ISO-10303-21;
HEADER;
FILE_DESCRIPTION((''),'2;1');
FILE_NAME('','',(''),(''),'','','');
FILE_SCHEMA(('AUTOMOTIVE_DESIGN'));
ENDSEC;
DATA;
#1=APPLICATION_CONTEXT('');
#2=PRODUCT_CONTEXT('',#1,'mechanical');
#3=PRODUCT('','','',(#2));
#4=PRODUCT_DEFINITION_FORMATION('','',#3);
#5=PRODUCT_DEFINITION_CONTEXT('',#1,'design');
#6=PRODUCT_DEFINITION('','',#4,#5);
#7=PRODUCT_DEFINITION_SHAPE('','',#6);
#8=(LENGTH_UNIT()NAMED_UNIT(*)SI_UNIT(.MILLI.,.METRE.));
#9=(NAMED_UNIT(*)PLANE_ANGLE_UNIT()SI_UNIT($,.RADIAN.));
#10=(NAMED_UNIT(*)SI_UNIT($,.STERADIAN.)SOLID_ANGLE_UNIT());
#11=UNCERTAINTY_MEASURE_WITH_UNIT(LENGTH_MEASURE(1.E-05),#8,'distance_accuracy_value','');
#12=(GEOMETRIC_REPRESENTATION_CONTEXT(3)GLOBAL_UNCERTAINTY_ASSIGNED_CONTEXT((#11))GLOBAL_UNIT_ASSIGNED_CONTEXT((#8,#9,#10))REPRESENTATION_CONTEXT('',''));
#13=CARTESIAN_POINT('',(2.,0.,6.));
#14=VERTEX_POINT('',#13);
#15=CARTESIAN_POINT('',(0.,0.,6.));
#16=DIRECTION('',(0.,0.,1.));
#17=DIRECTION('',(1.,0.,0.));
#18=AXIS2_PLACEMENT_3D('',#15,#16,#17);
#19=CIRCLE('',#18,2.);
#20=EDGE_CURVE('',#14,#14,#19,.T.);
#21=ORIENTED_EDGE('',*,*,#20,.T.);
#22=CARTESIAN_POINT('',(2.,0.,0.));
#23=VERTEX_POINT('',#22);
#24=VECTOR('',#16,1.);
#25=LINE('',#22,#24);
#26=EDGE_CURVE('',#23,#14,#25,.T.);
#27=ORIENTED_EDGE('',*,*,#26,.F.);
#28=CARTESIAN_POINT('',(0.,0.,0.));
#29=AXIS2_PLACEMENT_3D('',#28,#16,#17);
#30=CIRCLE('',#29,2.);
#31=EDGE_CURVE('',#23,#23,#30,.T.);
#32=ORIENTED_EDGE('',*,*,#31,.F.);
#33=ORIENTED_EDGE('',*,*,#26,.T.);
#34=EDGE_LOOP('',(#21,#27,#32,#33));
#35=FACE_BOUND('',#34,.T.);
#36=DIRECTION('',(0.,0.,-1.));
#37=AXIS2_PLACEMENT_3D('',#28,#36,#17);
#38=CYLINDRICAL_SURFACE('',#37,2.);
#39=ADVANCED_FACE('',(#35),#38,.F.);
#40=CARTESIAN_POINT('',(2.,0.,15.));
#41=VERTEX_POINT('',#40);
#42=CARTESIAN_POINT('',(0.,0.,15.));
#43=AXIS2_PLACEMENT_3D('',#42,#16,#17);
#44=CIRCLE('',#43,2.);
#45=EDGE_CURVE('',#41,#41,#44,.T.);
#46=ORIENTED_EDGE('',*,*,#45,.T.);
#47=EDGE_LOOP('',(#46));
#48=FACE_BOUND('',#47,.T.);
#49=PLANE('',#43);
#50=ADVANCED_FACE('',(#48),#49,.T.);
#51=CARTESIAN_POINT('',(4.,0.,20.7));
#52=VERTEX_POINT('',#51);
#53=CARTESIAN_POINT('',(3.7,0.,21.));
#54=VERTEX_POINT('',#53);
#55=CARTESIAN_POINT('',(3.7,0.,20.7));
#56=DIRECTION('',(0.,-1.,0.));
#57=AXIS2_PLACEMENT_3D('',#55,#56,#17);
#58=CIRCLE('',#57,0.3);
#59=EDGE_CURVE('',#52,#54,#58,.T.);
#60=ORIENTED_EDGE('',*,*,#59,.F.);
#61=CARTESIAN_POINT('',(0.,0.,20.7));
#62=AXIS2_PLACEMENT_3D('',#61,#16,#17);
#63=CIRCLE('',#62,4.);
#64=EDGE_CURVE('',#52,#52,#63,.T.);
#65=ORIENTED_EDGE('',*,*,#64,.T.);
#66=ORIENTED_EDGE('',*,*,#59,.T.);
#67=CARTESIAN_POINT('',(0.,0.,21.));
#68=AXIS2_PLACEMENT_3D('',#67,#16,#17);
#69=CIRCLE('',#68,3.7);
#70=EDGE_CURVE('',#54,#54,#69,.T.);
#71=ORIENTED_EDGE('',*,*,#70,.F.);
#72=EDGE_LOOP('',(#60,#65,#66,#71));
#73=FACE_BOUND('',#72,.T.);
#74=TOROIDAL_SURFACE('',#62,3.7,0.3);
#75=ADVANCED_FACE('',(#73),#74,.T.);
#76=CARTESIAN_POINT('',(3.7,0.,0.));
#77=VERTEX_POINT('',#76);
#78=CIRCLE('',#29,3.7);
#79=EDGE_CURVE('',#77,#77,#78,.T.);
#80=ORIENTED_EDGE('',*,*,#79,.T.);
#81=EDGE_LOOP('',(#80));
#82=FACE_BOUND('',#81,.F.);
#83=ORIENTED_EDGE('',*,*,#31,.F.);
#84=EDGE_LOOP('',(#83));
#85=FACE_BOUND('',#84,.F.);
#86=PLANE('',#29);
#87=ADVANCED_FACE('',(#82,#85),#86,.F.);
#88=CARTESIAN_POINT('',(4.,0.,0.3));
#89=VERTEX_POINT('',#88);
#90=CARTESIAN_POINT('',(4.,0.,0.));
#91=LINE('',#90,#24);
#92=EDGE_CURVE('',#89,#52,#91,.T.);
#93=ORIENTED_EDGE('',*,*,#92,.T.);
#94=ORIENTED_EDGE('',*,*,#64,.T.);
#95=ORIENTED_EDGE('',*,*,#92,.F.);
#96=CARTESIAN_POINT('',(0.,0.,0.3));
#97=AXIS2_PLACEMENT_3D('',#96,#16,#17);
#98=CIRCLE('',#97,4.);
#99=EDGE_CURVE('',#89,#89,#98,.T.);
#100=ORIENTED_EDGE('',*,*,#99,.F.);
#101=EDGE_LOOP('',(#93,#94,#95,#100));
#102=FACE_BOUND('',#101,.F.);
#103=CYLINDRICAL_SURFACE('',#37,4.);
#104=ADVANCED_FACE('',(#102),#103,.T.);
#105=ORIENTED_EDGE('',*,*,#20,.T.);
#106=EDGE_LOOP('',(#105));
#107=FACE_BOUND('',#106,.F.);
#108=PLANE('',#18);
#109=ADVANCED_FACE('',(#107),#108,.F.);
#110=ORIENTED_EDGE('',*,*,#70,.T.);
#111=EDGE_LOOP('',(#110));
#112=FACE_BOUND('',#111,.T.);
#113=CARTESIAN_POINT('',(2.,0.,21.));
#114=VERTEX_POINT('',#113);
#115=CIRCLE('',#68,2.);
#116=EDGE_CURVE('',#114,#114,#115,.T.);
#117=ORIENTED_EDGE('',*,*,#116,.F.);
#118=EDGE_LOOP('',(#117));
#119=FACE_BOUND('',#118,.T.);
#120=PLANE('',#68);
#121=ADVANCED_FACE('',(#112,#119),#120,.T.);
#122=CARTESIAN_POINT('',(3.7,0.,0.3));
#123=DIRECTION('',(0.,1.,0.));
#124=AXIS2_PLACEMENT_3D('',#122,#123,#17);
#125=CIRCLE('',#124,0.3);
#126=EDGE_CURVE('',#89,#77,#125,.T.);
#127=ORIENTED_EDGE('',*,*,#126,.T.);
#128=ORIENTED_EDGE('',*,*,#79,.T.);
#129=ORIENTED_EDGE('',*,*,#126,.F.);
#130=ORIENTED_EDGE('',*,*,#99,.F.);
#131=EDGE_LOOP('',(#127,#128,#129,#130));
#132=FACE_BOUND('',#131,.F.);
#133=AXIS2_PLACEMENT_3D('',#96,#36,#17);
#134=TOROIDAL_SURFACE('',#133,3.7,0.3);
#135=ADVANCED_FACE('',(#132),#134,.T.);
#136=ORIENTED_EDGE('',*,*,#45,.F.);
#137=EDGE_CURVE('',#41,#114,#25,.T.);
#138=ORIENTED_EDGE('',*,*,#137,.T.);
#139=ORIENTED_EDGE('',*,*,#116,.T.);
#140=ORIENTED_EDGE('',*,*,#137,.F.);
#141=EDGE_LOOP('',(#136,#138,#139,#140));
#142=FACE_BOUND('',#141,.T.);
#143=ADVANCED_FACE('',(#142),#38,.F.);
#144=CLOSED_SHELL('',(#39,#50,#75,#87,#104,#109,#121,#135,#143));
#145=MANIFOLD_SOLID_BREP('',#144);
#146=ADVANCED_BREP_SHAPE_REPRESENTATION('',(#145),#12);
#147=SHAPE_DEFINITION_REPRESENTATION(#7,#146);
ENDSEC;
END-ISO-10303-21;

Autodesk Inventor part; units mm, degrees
ref_plane "YZ Plane" through (0, 0, 0) normal (1, 0, 0) x (0, 1, 0)
ref_plane "XZ Plane" through (0, 0, 0) normal (0, 1, 0) x (-1, 0, 0)
ref_plane "XY Plane" through (0, 0, 0) normal (0, 0, 1) x (1, 0, 0)
sketch "スケッチ1" plane through (0, 0, 0) normal (0, 0, 1) x (1, 0, 0)
  circle A0 centre (0, 0) radius 4
  circle A1 centre (0, 0) radius 2
  dimension "d0" = 8
  dimension "d1" = 4
extrude "押し出し1" add sketch "スケッチ1" along normal blind 21
fillet "フィレット1" radius 0.3 2 edges at (-4, 0, 21) (-4, 0, 0)
thread "ねじ1" size "M4x0.7" class "6H" standard "ANSI Metric M Profile" length 100
extrude "押し出し2" add sketch "スケッチ1" along normal blind 15 contours A1
extrude "押し出し3" cut sketch "スケッチ1" along normal blind 6 contours A1
thread "ねじ2" size "M4x0.7" class "6H" standard "ANSI Metric M Profile" full length
properties part number "スペーサーM4L21アルミ" material "アルミニウム 2014-T4"
